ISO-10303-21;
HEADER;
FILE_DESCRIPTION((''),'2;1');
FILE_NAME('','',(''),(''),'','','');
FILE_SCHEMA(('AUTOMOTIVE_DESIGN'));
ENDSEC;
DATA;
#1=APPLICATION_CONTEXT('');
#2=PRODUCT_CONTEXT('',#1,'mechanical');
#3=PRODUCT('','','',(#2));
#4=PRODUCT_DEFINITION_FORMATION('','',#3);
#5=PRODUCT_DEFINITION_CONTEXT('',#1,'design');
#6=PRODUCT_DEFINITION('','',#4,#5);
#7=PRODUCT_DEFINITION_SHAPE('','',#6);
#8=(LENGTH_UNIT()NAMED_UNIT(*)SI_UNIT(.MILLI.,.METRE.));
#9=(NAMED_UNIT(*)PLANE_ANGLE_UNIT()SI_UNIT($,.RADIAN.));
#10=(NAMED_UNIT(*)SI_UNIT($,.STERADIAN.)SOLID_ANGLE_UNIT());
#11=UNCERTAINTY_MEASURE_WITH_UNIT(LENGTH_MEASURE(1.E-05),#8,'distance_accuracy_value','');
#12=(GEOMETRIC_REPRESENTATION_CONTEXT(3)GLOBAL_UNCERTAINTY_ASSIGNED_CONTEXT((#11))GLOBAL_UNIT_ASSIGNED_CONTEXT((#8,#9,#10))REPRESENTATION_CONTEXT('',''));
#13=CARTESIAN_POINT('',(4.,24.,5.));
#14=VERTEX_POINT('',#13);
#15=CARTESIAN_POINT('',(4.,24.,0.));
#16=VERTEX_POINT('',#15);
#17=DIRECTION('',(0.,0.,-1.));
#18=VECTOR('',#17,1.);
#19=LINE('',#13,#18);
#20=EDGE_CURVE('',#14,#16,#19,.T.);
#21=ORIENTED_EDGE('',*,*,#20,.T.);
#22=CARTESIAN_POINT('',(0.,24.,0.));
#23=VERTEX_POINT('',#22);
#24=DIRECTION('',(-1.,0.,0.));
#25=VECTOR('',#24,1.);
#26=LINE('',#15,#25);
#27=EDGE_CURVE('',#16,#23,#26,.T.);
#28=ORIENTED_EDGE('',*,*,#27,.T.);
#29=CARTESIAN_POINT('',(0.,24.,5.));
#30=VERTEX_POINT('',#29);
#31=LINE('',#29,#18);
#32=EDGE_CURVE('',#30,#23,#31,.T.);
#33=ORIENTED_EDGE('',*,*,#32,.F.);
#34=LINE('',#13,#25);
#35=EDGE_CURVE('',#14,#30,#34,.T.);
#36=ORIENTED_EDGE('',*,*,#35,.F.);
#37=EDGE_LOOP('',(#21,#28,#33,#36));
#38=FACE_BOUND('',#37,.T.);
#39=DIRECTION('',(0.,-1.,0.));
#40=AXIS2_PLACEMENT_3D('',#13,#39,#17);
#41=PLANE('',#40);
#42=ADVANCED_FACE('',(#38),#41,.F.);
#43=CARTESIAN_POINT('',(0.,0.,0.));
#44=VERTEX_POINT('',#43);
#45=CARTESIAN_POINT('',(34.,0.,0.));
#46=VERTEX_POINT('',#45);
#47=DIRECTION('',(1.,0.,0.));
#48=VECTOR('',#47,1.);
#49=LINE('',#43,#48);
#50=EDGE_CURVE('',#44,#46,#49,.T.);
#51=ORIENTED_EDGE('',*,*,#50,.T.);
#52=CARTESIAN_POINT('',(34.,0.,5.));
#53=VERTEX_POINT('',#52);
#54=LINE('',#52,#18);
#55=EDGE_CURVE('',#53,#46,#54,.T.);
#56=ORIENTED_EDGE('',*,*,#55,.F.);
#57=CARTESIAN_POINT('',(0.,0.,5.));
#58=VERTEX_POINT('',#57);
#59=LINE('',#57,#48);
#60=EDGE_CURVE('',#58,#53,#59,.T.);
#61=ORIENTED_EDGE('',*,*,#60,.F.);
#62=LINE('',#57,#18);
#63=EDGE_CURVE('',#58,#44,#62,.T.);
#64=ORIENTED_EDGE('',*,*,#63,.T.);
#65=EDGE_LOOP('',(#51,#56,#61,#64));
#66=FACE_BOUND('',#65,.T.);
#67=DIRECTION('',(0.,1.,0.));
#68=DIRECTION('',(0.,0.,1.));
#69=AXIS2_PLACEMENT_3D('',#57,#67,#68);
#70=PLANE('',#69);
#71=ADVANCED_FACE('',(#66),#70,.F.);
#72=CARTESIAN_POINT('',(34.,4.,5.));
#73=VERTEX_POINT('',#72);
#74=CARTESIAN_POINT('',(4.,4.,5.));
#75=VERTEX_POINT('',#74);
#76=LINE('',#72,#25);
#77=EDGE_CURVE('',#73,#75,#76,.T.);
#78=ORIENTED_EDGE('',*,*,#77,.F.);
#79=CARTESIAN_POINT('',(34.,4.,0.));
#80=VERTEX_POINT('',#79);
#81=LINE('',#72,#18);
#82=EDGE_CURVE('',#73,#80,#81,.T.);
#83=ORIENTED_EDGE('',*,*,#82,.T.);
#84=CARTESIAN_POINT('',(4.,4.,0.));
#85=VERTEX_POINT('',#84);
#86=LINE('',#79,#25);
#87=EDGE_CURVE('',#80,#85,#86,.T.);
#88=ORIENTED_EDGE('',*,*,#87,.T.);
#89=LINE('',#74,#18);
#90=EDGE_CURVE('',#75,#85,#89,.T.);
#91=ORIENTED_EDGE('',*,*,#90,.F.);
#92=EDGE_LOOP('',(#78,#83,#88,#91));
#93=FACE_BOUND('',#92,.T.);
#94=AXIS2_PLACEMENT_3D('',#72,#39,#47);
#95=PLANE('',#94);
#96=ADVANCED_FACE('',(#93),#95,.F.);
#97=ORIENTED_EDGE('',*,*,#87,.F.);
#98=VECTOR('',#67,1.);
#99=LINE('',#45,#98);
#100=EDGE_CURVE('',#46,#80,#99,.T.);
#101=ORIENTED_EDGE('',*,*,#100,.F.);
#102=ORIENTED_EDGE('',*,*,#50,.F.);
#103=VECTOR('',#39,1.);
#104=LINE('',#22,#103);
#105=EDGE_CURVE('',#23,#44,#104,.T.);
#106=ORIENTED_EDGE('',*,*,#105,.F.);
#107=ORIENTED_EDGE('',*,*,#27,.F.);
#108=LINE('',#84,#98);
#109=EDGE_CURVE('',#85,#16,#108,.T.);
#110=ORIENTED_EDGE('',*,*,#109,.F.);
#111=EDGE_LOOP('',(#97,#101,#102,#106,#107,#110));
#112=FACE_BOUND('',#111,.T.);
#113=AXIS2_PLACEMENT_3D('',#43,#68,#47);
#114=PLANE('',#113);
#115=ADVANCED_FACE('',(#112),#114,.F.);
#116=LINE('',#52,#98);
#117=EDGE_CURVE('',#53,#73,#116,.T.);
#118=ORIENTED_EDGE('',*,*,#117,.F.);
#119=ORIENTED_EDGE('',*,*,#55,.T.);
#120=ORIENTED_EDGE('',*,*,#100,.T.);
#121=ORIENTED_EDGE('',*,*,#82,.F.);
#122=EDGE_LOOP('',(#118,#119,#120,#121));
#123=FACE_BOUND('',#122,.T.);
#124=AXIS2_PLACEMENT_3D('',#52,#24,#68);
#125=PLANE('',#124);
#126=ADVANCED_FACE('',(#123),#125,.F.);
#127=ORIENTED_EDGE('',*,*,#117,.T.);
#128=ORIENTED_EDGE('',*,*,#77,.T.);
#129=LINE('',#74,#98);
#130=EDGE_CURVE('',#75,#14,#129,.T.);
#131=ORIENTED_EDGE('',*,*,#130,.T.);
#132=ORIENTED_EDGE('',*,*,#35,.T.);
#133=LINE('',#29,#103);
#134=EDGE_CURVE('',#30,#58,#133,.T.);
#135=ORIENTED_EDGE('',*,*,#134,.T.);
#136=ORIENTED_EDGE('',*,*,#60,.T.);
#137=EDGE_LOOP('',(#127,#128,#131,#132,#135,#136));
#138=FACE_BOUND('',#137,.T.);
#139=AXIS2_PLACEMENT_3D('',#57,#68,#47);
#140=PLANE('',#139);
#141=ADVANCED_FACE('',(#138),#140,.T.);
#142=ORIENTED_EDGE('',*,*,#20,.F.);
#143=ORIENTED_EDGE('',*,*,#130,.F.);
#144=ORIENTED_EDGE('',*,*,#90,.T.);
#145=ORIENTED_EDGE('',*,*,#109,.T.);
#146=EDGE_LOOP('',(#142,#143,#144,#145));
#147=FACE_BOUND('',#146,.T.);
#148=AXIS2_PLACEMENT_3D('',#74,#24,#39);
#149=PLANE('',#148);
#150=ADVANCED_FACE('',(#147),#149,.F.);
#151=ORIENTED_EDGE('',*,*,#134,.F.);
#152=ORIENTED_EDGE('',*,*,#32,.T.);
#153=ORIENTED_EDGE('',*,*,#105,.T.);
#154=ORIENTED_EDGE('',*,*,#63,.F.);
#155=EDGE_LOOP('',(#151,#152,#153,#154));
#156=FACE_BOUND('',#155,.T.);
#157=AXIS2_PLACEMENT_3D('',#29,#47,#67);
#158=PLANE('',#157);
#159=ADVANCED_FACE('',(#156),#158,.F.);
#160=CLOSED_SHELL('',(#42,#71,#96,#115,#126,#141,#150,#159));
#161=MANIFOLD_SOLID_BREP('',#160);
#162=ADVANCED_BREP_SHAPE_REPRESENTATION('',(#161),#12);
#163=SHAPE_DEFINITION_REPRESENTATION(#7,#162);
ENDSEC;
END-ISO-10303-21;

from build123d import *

# Parameters (mm, degrees)
BOSS_EXTRUDE1_DEPTH = 5


with BuildPart() as part:
    # Sketch1 → Boss-Extrude1 (new body)
    with BuildSketch(Plane.XY):
        Polygon((0, 24), (0, 0), (34, 0), (34, 4), (4, 4), (4, 24), align=None)
    extrude(amount=BOSS_EXTRUDE1_DEPTH)


solid = part.part
